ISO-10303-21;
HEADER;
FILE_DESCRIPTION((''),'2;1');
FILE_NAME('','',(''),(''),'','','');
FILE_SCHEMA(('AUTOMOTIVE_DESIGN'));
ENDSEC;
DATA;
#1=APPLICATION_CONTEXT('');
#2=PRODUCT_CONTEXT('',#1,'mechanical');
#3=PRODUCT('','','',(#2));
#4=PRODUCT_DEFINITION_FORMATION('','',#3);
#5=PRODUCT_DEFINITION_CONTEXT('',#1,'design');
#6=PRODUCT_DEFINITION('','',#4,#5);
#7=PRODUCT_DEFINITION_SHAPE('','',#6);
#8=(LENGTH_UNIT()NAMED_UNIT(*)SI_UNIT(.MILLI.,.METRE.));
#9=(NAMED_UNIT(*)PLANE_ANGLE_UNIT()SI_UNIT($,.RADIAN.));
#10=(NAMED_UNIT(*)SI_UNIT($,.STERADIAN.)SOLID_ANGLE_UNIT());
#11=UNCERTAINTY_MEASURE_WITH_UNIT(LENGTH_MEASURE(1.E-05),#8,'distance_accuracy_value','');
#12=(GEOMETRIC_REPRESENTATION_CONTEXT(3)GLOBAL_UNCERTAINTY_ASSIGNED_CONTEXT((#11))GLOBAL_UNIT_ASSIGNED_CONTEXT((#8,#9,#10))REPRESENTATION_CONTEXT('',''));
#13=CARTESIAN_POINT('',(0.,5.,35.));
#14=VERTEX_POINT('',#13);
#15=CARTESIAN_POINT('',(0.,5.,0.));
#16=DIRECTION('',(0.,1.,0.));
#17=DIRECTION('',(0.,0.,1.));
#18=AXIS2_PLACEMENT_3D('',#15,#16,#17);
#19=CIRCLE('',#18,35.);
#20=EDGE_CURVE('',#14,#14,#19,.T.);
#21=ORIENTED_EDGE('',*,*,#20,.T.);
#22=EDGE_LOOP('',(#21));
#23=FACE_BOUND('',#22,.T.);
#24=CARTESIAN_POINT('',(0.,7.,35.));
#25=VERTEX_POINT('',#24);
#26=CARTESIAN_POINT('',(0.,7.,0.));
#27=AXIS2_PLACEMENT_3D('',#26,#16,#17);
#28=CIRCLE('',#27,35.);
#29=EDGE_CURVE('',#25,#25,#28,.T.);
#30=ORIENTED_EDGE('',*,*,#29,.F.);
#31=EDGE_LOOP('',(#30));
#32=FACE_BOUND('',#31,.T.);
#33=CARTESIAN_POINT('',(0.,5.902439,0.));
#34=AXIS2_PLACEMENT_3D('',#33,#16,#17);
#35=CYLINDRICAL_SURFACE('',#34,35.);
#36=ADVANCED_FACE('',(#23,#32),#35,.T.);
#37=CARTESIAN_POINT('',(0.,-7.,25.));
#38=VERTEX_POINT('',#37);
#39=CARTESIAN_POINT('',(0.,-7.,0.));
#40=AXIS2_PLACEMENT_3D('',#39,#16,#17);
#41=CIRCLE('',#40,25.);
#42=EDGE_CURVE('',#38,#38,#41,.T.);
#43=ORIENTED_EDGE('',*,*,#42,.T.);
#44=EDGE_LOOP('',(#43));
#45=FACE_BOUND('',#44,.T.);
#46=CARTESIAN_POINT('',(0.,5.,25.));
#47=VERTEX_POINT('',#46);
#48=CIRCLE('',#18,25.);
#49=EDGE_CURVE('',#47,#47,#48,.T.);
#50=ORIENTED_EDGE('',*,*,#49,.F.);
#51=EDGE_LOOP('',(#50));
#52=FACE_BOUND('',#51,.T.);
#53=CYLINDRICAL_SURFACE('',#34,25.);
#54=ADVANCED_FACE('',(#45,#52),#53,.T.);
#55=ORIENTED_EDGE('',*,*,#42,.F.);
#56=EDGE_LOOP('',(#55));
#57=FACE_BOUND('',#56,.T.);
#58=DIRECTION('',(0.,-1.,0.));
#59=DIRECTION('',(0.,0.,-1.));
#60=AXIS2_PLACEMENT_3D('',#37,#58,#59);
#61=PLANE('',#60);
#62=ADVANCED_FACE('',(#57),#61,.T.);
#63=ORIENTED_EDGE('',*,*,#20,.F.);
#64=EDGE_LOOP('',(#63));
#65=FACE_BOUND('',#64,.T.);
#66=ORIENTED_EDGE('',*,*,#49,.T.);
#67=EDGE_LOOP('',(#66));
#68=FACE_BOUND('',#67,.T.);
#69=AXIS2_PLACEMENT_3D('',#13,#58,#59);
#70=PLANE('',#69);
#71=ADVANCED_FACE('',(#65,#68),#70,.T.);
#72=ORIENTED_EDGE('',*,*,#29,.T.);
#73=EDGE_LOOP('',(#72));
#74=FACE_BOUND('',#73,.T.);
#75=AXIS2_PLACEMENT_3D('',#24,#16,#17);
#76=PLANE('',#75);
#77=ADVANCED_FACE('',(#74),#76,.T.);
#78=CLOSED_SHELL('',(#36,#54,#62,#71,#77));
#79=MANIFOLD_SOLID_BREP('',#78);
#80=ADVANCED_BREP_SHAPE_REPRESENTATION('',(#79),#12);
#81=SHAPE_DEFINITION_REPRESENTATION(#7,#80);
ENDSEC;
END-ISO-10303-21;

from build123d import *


with BuildPart() as part:
    # Sketch1 → Revolve1 (revolve)
    with BuildSketch(Plane(origin=(0, 0, 0), x_dir=(0, 0, -1), z_dir=(1, 0, 0))):
        Polygon((-35, 7), (-35, 5), (-25, 5), (-25, -7), (0, -7), (0, 7), align=None)
    revolve(axis=Axis((0, 5.902439024, 0), (0, -1, 0)))


solid = part.part
